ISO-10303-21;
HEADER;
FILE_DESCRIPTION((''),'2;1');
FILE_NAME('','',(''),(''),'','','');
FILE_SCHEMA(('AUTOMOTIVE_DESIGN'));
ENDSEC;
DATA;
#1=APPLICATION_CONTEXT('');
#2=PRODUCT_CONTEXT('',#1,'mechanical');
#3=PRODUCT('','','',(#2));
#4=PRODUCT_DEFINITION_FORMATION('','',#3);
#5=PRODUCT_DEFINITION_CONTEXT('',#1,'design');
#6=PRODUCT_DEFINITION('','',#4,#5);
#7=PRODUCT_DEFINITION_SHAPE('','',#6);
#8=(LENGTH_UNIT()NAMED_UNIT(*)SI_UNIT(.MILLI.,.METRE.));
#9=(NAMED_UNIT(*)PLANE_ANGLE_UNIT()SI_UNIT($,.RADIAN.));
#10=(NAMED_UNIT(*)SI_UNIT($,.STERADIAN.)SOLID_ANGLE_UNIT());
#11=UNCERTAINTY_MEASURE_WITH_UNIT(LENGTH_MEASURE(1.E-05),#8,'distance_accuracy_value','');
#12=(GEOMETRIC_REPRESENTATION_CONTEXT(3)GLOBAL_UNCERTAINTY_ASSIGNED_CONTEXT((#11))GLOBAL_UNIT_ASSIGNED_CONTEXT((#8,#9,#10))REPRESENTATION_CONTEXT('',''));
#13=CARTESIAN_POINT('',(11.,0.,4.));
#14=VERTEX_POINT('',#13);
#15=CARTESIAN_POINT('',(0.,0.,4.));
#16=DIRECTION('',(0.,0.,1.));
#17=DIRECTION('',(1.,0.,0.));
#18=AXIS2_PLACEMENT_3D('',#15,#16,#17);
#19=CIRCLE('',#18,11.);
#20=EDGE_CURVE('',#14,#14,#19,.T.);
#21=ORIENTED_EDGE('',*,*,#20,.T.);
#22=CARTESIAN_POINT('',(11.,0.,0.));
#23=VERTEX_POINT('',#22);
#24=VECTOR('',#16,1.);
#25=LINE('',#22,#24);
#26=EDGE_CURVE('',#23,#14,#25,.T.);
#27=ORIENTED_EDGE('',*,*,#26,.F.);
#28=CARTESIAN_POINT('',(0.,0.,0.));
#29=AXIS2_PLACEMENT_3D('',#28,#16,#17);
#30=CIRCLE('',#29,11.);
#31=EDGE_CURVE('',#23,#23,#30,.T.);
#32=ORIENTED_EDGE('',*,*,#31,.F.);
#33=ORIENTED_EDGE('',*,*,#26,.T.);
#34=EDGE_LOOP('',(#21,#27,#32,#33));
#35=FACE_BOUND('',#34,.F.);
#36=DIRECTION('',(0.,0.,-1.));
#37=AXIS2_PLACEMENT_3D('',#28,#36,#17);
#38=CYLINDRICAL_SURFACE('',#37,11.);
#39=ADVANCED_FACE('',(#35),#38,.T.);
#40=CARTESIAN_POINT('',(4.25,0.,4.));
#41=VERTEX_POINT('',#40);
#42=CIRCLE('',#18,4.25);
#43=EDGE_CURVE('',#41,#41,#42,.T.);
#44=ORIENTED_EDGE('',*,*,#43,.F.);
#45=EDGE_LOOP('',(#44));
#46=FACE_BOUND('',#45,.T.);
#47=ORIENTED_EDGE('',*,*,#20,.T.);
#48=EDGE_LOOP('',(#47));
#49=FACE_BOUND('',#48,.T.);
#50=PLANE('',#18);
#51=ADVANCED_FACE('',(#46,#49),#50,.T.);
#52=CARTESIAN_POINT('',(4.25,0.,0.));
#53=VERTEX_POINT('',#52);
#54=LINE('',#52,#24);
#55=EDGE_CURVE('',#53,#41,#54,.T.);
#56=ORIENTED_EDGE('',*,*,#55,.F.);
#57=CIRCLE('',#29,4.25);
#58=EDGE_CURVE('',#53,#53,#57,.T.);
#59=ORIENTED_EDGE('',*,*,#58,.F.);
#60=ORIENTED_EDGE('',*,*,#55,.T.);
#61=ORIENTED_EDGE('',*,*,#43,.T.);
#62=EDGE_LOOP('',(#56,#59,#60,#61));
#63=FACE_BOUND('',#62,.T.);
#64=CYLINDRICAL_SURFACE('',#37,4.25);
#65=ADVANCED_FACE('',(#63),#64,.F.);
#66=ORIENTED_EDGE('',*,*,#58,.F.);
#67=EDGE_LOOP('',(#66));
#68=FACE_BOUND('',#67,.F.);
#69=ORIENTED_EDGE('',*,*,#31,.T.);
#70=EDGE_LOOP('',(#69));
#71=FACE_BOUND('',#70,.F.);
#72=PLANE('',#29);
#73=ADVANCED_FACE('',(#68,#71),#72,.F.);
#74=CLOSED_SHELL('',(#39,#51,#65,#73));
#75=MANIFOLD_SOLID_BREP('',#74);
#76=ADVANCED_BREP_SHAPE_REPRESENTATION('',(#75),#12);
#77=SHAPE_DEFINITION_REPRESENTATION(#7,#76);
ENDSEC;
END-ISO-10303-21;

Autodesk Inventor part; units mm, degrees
sketch "Sketch1" plane through (0, 0, 0) normal (0, 0, 1) x (1, 0, 0)
  line L0 (0, 2.8582) -> (0, -2.8582) construction
  line L1 (-5.7775, 0) -> (5.7775, 0) construction
  circle A0 centre (0, 0) radius 11
  circle A1 centre (0, 0) radius 4.25
  dimension "d0" = 22
  dimension "d1" = 8.5
extrude "Extrusion1" add sketch "Sketch1" along normal blind 4
properties part number "Rondel kogellager" material "S235"
